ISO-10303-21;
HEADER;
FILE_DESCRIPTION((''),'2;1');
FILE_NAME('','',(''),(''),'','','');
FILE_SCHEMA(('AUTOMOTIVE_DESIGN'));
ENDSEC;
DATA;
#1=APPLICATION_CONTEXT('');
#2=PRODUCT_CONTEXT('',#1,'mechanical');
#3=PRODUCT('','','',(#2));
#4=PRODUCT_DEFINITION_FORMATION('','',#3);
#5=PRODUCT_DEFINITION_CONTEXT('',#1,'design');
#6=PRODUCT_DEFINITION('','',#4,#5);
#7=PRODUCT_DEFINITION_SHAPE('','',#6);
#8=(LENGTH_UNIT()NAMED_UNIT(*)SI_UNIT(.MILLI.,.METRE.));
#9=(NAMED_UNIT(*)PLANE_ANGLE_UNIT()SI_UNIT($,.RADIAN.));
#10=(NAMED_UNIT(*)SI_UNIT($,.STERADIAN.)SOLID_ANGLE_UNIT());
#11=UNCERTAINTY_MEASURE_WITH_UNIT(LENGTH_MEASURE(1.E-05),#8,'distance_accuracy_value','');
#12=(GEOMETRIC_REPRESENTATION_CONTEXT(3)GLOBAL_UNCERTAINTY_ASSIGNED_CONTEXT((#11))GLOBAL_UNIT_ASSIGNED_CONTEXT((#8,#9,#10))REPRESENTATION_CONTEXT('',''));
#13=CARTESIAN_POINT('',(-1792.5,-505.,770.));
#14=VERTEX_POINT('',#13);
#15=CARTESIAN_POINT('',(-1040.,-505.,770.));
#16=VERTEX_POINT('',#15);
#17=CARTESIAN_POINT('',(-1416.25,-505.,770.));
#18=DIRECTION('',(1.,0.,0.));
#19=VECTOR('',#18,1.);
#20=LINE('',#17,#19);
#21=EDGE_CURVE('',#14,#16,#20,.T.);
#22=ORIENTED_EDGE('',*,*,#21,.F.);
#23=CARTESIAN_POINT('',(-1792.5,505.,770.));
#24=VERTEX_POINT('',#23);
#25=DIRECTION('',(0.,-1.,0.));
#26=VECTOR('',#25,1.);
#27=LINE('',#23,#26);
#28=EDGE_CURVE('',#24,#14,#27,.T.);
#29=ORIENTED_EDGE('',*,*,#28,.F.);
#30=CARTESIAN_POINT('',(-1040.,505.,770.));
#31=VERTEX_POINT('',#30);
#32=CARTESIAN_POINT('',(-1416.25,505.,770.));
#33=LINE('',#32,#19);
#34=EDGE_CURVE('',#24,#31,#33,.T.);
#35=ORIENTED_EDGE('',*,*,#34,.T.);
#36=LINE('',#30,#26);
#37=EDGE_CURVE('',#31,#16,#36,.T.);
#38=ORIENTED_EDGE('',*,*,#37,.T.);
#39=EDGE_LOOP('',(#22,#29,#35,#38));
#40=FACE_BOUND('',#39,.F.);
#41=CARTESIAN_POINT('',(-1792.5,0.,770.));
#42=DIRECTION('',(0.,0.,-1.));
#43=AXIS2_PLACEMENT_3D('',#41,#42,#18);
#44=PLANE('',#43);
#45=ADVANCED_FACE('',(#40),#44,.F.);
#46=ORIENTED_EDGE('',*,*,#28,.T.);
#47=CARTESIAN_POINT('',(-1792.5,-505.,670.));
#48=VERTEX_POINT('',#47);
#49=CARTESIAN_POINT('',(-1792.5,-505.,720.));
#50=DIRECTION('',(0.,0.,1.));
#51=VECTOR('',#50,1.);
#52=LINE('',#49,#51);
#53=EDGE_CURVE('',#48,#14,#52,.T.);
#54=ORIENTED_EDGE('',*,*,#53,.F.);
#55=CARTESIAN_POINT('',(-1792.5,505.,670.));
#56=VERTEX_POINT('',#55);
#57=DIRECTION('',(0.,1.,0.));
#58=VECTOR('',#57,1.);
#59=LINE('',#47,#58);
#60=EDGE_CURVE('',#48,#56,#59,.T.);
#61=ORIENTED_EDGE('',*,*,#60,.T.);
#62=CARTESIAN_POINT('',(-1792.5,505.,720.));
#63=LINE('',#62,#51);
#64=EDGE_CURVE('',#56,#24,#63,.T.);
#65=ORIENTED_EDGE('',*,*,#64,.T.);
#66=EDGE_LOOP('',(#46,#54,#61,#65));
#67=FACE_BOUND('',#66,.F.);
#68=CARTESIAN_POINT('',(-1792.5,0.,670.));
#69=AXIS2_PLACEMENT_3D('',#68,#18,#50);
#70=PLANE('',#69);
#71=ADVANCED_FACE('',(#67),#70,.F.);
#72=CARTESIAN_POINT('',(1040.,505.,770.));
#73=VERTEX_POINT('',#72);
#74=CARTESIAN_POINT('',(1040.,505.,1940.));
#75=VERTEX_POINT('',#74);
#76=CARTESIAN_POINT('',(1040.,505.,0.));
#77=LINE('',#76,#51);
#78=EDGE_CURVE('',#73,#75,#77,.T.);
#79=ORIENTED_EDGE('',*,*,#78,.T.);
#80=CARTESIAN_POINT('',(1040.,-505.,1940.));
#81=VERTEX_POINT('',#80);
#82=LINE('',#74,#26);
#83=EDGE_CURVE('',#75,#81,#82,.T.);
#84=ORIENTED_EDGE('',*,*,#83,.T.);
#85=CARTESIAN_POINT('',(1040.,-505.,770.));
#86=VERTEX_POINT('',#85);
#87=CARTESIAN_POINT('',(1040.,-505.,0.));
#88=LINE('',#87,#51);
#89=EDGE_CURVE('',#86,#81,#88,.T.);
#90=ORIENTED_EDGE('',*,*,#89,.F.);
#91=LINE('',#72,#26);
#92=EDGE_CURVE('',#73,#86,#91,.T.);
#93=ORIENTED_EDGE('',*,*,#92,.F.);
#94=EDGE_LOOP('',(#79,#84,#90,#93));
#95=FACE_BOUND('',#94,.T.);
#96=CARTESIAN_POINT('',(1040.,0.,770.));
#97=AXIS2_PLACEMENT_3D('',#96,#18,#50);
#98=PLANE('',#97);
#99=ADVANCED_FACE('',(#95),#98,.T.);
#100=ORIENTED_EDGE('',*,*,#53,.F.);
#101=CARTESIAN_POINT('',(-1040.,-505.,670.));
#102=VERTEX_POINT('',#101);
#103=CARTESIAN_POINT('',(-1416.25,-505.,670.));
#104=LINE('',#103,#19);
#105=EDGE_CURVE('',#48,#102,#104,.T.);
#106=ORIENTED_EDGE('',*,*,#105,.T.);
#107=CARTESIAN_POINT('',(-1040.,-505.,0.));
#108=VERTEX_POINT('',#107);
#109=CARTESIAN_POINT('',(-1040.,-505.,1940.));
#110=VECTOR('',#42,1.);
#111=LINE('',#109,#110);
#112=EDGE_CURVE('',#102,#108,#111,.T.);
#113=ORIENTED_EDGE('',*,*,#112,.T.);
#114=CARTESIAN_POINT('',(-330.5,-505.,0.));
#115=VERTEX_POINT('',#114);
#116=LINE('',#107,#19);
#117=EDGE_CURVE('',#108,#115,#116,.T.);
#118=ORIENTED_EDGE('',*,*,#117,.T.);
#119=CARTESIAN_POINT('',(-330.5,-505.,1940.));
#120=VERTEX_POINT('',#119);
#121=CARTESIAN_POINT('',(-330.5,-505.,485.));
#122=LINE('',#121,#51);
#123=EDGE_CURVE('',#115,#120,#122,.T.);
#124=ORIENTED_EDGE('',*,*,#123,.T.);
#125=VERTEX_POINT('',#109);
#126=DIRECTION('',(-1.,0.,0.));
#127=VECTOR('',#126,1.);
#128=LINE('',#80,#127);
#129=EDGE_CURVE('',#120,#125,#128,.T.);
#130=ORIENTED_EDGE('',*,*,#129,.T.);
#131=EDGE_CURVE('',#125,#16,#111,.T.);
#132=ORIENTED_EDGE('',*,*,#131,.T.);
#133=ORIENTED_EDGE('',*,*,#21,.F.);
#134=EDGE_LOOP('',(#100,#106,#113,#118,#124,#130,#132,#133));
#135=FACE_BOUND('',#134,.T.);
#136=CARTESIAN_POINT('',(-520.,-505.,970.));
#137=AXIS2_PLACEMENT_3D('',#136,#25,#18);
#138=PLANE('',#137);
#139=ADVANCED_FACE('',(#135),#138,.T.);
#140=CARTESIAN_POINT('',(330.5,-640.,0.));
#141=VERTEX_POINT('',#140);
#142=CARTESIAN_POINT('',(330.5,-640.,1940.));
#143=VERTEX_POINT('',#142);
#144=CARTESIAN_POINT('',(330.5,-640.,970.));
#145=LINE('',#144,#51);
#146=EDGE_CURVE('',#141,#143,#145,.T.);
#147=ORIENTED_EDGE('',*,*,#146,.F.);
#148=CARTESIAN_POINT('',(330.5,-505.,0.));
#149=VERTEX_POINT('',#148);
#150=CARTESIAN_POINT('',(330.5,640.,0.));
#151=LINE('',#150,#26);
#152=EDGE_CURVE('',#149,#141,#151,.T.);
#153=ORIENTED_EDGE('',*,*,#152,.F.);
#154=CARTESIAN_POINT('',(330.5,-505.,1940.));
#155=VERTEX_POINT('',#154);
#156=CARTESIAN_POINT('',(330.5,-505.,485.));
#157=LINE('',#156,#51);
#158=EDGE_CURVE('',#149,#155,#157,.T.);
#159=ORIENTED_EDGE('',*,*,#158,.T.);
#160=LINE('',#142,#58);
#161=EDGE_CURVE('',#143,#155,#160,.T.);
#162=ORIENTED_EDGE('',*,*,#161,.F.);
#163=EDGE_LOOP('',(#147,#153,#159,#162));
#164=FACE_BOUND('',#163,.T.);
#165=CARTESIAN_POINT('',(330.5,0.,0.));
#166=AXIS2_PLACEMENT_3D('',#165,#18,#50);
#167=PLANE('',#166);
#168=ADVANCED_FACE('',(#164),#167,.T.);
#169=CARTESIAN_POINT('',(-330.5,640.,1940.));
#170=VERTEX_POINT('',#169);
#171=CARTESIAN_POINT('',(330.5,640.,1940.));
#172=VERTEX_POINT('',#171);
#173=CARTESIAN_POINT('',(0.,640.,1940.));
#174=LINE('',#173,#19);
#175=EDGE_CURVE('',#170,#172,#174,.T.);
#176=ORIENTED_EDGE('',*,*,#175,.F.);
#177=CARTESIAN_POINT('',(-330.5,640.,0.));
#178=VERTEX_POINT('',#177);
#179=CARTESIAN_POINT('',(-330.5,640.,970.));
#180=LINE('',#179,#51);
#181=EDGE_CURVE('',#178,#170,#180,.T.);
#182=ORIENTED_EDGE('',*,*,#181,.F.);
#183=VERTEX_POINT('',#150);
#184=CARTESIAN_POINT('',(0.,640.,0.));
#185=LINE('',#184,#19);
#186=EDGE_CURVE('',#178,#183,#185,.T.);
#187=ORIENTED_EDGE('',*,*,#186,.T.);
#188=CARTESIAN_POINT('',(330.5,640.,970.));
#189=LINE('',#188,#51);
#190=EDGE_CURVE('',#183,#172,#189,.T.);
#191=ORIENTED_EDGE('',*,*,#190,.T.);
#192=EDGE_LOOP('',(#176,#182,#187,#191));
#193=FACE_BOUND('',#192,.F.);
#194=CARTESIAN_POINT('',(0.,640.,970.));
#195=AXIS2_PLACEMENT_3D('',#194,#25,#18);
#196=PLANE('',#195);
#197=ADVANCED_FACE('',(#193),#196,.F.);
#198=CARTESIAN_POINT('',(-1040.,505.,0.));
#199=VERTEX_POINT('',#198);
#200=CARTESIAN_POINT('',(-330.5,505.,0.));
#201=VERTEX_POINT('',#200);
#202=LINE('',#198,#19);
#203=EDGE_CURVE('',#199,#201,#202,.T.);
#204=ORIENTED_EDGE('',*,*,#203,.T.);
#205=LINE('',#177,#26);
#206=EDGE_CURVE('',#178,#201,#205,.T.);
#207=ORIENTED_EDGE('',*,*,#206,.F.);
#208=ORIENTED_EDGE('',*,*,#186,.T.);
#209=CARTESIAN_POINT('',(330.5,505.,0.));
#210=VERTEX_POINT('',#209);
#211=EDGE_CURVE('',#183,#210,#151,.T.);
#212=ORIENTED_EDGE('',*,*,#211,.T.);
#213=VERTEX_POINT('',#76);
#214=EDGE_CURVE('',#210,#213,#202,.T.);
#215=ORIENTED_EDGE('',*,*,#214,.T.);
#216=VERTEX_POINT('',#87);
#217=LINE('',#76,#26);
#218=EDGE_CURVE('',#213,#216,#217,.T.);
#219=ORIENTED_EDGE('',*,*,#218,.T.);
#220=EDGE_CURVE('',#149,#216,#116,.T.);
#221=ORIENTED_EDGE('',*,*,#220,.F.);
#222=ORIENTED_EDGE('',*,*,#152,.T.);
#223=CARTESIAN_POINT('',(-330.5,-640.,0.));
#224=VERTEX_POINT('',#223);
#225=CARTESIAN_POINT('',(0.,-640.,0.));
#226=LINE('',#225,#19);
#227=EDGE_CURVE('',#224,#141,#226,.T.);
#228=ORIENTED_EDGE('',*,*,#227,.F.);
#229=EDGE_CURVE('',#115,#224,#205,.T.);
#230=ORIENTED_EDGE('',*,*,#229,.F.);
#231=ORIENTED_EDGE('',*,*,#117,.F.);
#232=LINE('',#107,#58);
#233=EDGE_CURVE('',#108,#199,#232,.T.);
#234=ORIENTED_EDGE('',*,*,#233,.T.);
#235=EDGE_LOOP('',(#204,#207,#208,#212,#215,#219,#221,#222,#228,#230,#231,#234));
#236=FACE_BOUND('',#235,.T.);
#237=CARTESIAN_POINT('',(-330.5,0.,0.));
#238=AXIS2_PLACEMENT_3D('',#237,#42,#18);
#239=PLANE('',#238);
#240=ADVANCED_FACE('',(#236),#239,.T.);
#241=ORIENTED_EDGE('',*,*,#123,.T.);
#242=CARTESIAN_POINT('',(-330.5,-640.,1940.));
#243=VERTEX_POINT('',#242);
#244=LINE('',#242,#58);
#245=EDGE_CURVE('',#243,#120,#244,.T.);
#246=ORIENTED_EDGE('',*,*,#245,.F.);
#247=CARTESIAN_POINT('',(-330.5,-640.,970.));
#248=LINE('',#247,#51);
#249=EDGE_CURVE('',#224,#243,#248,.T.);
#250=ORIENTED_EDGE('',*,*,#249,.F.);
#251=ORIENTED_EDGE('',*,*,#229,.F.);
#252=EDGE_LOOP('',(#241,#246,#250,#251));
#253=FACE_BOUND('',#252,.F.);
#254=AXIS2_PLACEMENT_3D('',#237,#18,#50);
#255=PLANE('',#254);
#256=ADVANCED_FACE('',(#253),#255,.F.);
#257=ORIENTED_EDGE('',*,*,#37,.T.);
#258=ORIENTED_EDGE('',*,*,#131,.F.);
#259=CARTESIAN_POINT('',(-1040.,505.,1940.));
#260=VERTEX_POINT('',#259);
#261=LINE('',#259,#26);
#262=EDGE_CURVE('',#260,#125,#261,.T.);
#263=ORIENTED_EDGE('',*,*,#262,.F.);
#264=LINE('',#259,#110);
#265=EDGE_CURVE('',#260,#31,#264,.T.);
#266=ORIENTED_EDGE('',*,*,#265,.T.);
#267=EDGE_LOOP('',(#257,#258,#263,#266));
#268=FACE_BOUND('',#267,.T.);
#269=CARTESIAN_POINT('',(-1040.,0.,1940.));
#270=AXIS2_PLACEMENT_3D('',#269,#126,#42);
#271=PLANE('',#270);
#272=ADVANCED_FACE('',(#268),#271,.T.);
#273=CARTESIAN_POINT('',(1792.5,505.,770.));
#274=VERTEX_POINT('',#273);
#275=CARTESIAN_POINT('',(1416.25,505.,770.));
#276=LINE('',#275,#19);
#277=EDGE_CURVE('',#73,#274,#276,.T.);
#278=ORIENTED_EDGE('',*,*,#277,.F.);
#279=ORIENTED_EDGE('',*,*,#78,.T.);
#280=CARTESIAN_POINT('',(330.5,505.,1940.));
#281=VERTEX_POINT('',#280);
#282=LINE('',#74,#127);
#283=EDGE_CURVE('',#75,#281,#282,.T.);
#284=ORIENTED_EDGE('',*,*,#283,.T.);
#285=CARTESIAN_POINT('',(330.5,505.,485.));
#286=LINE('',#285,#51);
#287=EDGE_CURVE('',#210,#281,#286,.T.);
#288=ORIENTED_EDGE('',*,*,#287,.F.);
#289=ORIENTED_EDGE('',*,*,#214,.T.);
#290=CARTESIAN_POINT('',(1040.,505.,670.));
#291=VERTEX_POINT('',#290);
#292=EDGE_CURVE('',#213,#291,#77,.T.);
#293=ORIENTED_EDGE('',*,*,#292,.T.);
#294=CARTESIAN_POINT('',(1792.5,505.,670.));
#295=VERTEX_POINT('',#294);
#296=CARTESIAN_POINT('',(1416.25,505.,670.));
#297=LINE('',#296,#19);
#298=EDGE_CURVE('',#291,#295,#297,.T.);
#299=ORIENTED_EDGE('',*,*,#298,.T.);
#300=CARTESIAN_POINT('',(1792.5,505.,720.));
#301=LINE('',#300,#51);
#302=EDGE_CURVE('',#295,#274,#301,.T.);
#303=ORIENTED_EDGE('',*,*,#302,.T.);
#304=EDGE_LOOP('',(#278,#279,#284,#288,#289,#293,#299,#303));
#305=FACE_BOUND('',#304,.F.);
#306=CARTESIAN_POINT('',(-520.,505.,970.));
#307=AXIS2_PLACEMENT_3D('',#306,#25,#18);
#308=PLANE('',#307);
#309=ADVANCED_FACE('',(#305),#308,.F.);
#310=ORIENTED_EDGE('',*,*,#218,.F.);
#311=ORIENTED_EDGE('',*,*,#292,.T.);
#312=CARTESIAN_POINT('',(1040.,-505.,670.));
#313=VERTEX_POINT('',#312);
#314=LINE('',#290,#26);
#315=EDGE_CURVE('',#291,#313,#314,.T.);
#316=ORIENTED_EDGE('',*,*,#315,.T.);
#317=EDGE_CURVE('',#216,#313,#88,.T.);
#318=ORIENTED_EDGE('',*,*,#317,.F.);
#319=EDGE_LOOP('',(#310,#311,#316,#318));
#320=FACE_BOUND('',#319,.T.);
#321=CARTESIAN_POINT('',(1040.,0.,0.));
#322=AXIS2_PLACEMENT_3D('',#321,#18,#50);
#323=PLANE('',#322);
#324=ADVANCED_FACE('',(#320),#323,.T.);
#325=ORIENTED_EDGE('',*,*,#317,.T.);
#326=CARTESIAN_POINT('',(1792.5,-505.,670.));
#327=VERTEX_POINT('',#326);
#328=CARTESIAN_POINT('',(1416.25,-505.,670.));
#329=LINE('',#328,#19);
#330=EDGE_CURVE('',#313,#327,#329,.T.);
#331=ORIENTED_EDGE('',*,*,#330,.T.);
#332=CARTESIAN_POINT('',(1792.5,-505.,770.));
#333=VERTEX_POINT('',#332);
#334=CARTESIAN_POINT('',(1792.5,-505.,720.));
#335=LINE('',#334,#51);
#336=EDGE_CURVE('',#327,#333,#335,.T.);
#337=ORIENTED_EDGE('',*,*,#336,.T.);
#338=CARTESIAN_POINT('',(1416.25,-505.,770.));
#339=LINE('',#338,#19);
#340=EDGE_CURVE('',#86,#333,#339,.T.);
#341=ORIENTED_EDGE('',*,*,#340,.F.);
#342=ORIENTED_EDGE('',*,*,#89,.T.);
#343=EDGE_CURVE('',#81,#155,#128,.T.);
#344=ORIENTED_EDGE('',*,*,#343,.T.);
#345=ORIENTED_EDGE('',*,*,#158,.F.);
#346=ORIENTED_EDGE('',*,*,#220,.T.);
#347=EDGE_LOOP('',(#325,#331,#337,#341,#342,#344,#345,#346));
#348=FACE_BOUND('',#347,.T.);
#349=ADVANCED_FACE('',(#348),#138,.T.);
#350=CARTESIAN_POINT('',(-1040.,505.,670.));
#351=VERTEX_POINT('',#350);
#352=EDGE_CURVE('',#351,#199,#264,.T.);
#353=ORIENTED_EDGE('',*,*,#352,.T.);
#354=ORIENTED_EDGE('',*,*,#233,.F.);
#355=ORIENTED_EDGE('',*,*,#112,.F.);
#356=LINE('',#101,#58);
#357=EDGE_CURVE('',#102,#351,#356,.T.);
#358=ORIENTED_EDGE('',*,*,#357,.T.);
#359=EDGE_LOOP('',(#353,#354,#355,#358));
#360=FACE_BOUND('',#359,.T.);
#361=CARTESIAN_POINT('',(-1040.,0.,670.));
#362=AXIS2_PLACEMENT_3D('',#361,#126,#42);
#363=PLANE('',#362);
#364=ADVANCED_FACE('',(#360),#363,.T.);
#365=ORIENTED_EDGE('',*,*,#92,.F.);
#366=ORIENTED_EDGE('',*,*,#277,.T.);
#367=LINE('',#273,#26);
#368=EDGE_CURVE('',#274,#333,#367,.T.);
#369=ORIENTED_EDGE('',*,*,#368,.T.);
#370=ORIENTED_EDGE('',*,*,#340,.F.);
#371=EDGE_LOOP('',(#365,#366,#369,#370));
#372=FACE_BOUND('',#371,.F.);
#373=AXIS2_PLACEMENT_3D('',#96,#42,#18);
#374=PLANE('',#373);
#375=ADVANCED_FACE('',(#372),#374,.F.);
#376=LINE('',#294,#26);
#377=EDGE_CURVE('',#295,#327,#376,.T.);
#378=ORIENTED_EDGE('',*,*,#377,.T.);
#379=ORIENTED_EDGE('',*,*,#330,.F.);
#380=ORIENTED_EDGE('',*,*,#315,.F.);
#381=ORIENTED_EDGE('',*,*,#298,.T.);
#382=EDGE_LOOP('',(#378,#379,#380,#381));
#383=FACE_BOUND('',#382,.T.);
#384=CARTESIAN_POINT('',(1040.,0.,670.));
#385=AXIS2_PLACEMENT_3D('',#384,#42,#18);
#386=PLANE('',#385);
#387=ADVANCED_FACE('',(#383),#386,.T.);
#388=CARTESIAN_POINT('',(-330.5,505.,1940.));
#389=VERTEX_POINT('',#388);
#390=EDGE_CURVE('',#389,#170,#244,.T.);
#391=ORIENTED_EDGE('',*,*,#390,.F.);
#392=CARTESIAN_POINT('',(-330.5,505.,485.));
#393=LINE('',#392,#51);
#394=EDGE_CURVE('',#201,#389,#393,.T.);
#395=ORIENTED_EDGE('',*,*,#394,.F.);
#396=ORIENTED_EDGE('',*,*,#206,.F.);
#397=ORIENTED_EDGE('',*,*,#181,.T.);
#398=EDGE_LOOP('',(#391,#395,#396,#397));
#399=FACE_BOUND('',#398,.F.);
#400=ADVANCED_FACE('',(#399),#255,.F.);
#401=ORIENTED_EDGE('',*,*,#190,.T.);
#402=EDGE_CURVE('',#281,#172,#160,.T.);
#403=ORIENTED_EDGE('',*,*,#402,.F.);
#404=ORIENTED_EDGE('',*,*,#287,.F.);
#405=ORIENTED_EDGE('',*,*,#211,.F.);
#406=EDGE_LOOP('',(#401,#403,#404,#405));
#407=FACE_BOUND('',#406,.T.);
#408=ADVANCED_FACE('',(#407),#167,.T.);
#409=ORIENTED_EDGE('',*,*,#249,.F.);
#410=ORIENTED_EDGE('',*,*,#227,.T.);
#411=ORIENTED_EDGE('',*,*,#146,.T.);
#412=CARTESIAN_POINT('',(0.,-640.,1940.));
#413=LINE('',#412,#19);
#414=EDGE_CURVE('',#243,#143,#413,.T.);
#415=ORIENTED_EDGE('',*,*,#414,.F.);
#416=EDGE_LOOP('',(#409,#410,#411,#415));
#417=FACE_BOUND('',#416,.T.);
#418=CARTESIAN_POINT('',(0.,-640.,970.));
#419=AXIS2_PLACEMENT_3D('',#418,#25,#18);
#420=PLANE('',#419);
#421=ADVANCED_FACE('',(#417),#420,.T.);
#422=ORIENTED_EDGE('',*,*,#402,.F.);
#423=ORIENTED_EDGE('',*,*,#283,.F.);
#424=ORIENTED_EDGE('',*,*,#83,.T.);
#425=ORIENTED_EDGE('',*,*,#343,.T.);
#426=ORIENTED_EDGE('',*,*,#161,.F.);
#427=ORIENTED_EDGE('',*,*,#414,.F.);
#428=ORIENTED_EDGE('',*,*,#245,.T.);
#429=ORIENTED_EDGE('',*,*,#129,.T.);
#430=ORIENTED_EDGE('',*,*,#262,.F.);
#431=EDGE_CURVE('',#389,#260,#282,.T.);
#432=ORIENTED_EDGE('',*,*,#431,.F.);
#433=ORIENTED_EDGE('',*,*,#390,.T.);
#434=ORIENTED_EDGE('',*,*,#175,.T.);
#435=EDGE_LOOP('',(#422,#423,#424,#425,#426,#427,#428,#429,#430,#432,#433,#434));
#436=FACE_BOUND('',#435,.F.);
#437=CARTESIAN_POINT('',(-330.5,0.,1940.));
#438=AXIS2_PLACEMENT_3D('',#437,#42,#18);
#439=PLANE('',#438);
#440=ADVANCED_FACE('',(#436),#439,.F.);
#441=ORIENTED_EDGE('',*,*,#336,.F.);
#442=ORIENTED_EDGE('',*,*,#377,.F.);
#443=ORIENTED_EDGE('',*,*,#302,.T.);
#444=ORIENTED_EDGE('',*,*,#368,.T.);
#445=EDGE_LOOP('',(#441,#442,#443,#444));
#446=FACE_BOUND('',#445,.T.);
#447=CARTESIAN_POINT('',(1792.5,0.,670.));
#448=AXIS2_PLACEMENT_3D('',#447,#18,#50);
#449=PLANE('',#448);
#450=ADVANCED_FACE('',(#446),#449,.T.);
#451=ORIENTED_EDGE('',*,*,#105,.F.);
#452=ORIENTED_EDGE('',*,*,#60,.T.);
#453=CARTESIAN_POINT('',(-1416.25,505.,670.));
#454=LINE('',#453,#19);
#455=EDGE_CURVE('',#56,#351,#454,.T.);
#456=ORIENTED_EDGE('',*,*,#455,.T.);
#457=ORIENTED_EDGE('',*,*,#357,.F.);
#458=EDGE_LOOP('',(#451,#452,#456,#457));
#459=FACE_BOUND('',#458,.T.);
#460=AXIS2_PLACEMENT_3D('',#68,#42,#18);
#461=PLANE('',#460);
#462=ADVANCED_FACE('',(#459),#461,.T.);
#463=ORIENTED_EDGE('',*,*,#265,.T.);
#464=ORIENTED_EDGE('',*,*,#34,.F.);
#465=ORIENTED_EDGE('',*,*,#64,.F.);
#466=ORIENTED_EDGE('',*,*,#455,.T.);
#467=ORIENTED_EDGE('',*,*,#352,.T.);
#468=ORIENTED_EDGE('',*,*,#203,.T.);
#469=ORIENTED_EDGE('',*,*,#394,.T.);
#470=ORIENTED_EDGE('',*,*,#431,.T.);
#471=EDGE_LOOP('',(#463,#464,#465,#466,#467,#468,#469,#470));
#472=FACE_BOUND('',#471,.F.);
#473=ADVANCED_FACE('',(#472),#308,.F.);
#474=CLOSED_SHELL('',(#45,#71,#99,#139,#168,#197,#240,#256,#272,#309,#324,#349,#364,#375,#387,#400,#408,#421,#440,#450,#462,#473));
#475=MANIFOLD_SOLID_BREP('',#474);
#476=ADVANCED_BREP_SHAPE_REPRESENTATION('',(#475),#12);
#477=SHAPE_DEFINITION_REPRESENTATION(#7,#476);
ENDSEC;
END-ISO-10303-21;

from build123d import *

# Parameters (mm, degrees)
F0_W     = 752.5
F0_H     = 100
F1_DEPTH = 505
F2_W     = 661
F2_H     = 1940
F3_DEPTH = 640


with BuildPart() as f1:
    # F0 (on Front) → F1 (new body, symmetric)
    with BuildSketch(Plane.XZ):
        Polygon((-1040, 770), (-1040, 670), (-1040, 0), (0, 0), (0, 1940), (-1040, 1940), align=None)
        Polygon((0, 1940), (0, 0), (1040, 0), (1040, 670), (1040, 770), (1040, 1940), align=None)
        with Locations((1416.25, 720)):
            Rectangle(F0_W, F0_H)
        with Locations((-1416.25, 720)):
            Rectangle(F0_W, F0_H)
    extrude(amount=F1_DEPTH, both=True)

    # F2 (on Front) → F3 (join, symmetric)
    with BuildSketch(Plane.XZ):
        with Locations((0, 970)):
            Rectangle(F2_W, F2_H)
    extrude(amount=F3_DEPTH, both=True)


solid = f1.part
